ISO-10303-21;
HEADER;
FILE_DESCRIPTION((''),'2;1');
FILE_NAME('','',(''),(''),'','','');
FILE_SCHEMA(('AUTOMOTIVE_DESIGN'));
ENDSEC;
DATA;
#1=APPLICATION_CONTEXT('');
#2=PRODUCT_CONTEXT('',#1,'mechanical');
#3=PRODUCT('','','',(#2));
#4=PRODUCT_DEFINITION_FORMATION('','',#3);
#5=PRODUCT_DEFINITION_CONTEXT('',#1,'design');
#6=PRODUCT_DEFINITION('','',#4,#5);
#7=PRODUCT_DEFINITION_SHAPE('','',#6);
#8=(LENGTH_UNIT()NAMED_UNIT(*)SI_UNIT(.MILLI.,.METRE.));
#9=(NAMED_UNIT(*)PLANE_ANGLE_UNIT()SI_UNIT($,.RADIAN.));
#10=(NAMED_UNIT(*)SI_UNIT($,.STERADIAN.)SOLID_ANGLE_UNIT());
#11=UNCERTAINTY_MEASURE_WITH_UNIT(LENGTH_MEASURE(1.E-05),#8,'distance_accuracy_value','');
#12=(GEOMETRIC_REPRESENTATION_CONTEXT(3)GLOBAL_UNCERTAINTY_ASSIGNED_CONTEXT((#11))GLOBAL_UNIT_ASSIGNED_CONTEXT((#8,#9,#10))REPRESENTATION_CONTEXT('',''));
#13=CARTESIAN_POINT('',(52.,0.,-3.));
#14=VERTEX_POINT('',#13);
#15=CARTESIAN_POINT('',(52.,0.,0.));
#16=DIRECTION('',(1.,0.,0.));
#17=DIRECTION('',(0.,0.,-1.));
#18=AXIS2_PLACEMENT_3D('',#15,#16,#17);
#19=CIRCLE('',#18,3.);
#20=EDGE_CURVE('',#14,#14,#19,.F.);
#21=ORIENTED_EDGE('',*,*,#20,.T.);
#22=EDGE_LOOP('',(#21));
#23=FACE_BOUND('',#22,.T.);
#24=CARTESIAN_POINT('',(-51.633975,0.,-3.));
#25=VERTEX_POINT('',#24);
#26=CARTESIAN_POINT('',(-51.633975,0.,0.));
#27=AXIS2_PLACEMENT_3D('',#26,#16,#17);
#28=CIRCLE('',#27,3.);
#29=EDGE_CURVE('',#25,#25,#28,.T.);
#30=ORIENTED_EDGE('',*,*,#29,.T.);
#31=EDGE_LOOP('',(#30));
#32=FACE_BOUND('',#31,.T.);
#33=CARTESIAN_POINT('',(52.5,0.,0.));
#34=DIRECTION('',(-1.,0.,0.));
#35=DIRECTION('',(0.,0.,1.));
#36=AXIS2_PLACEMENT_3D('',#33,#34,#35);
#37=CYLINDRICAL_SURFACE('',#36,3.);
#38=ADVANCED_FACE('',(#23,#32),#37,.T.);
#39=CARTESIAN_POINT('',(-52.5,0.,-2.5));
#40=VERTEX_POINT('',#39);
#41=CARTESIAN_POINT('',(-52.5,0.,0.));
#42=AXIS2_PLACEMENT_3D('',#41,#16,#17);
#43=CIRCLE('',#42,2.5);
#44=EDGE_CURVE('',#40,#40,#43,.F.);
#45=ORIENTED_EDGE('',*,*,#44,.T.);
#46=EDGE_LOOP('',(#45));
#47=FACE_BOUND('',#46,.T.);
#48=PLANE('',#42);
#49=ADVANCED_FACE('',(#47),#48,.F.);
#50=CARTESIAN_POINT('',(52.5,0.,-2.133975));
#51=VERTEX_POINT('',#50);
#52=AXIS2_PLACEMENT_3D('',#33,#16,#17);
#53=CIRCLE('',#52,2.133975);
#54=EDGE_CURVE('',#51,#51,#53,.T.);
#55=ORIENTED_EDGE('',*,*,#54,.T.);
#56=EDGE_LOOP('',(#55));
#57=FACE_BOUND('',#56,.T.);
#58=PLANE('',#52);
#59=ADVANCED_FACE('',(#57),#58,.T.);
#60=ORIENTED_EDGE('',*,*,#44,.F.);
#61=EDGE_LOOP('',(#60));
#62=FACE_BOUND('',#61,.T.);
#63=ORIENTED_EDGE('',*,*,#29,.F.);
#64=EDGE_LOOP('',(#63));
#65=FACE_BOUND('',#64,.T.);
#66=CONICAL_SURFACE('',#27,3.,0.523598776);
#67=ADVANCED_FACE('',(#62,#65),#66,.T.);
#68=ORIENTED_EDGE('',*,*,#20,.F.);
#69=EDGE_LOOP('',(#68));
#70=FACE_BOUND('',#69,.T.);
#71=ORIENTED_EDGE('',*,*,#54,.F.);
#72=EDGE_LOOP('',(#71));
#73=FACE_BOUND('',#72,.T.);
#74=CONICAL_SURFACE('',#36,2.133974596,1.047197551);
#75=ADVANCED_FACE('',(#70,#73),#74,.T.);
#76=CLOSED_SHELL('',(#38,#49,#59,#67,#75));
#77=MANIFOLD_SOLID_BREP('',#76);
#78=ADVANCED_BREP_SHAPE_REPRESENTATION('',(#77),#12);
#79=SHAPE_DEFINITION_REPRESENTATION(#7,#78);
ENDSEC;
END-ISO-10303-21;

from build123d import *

# Parameters (mm, degrees)
SKETCH1_R             = 3
BOSS_EXTRUDE1_DEPTH   = 52.5
CHAMFER1_SIZE         = 0.5
CHAMFER1_SIZE2        = 0.866025404
CHAMFER1_PART_2_SIZE  = 0.5
CHAMFER1_PART_2_SIZE2 = 0.866025404


with BuildPart() as part:
    # Sketch1 → Boss-Extrude1 (new body, symmetric)
    with BuildSketch(Plane(origin=(0, 0, 0), x_dir=(0, 0, -1), z_dir=(1, 0, 0))):
        Circle(SKETCH1_R)
    extrude(amount=BOSS_EXTRUDE1_DEPTH, both=True)

    # Chamfer1
    chamfer1_edges = [part.edges().sort_by_distance(p)[0] for p in [
        (-52.5, 0, 3),
    ]]
    chamfer1_side = [part.faces().sort_by_distance(p)[0] for p in [
        (-52.5, 0, 0),
    ]]
    chamfer(chamfer1_edges, length=CHAMFER1_SIZE, length2=CHAMFER1_SIZE2, reference=chamfer1_side[0])

    # Chamfer1 part 2
    chamfer1_part_2_edges = [part.edges().sort_by_distance(p)[0] for p in [
        (52.5, 0, 3),
    ]]
    chamfer1_part_2_side = [part.faces().sort_by_distance(p)[0] for p in [
        (0, 0, 3),
    ]]
    chamfer(chamfer1_part_2_edges, length=CHAMFER1_PART_2_SIZE, length2=CHAMFER1_PART_2_SIZE2, reference=chamfer1_part_2_side[0])


solid = part.part
